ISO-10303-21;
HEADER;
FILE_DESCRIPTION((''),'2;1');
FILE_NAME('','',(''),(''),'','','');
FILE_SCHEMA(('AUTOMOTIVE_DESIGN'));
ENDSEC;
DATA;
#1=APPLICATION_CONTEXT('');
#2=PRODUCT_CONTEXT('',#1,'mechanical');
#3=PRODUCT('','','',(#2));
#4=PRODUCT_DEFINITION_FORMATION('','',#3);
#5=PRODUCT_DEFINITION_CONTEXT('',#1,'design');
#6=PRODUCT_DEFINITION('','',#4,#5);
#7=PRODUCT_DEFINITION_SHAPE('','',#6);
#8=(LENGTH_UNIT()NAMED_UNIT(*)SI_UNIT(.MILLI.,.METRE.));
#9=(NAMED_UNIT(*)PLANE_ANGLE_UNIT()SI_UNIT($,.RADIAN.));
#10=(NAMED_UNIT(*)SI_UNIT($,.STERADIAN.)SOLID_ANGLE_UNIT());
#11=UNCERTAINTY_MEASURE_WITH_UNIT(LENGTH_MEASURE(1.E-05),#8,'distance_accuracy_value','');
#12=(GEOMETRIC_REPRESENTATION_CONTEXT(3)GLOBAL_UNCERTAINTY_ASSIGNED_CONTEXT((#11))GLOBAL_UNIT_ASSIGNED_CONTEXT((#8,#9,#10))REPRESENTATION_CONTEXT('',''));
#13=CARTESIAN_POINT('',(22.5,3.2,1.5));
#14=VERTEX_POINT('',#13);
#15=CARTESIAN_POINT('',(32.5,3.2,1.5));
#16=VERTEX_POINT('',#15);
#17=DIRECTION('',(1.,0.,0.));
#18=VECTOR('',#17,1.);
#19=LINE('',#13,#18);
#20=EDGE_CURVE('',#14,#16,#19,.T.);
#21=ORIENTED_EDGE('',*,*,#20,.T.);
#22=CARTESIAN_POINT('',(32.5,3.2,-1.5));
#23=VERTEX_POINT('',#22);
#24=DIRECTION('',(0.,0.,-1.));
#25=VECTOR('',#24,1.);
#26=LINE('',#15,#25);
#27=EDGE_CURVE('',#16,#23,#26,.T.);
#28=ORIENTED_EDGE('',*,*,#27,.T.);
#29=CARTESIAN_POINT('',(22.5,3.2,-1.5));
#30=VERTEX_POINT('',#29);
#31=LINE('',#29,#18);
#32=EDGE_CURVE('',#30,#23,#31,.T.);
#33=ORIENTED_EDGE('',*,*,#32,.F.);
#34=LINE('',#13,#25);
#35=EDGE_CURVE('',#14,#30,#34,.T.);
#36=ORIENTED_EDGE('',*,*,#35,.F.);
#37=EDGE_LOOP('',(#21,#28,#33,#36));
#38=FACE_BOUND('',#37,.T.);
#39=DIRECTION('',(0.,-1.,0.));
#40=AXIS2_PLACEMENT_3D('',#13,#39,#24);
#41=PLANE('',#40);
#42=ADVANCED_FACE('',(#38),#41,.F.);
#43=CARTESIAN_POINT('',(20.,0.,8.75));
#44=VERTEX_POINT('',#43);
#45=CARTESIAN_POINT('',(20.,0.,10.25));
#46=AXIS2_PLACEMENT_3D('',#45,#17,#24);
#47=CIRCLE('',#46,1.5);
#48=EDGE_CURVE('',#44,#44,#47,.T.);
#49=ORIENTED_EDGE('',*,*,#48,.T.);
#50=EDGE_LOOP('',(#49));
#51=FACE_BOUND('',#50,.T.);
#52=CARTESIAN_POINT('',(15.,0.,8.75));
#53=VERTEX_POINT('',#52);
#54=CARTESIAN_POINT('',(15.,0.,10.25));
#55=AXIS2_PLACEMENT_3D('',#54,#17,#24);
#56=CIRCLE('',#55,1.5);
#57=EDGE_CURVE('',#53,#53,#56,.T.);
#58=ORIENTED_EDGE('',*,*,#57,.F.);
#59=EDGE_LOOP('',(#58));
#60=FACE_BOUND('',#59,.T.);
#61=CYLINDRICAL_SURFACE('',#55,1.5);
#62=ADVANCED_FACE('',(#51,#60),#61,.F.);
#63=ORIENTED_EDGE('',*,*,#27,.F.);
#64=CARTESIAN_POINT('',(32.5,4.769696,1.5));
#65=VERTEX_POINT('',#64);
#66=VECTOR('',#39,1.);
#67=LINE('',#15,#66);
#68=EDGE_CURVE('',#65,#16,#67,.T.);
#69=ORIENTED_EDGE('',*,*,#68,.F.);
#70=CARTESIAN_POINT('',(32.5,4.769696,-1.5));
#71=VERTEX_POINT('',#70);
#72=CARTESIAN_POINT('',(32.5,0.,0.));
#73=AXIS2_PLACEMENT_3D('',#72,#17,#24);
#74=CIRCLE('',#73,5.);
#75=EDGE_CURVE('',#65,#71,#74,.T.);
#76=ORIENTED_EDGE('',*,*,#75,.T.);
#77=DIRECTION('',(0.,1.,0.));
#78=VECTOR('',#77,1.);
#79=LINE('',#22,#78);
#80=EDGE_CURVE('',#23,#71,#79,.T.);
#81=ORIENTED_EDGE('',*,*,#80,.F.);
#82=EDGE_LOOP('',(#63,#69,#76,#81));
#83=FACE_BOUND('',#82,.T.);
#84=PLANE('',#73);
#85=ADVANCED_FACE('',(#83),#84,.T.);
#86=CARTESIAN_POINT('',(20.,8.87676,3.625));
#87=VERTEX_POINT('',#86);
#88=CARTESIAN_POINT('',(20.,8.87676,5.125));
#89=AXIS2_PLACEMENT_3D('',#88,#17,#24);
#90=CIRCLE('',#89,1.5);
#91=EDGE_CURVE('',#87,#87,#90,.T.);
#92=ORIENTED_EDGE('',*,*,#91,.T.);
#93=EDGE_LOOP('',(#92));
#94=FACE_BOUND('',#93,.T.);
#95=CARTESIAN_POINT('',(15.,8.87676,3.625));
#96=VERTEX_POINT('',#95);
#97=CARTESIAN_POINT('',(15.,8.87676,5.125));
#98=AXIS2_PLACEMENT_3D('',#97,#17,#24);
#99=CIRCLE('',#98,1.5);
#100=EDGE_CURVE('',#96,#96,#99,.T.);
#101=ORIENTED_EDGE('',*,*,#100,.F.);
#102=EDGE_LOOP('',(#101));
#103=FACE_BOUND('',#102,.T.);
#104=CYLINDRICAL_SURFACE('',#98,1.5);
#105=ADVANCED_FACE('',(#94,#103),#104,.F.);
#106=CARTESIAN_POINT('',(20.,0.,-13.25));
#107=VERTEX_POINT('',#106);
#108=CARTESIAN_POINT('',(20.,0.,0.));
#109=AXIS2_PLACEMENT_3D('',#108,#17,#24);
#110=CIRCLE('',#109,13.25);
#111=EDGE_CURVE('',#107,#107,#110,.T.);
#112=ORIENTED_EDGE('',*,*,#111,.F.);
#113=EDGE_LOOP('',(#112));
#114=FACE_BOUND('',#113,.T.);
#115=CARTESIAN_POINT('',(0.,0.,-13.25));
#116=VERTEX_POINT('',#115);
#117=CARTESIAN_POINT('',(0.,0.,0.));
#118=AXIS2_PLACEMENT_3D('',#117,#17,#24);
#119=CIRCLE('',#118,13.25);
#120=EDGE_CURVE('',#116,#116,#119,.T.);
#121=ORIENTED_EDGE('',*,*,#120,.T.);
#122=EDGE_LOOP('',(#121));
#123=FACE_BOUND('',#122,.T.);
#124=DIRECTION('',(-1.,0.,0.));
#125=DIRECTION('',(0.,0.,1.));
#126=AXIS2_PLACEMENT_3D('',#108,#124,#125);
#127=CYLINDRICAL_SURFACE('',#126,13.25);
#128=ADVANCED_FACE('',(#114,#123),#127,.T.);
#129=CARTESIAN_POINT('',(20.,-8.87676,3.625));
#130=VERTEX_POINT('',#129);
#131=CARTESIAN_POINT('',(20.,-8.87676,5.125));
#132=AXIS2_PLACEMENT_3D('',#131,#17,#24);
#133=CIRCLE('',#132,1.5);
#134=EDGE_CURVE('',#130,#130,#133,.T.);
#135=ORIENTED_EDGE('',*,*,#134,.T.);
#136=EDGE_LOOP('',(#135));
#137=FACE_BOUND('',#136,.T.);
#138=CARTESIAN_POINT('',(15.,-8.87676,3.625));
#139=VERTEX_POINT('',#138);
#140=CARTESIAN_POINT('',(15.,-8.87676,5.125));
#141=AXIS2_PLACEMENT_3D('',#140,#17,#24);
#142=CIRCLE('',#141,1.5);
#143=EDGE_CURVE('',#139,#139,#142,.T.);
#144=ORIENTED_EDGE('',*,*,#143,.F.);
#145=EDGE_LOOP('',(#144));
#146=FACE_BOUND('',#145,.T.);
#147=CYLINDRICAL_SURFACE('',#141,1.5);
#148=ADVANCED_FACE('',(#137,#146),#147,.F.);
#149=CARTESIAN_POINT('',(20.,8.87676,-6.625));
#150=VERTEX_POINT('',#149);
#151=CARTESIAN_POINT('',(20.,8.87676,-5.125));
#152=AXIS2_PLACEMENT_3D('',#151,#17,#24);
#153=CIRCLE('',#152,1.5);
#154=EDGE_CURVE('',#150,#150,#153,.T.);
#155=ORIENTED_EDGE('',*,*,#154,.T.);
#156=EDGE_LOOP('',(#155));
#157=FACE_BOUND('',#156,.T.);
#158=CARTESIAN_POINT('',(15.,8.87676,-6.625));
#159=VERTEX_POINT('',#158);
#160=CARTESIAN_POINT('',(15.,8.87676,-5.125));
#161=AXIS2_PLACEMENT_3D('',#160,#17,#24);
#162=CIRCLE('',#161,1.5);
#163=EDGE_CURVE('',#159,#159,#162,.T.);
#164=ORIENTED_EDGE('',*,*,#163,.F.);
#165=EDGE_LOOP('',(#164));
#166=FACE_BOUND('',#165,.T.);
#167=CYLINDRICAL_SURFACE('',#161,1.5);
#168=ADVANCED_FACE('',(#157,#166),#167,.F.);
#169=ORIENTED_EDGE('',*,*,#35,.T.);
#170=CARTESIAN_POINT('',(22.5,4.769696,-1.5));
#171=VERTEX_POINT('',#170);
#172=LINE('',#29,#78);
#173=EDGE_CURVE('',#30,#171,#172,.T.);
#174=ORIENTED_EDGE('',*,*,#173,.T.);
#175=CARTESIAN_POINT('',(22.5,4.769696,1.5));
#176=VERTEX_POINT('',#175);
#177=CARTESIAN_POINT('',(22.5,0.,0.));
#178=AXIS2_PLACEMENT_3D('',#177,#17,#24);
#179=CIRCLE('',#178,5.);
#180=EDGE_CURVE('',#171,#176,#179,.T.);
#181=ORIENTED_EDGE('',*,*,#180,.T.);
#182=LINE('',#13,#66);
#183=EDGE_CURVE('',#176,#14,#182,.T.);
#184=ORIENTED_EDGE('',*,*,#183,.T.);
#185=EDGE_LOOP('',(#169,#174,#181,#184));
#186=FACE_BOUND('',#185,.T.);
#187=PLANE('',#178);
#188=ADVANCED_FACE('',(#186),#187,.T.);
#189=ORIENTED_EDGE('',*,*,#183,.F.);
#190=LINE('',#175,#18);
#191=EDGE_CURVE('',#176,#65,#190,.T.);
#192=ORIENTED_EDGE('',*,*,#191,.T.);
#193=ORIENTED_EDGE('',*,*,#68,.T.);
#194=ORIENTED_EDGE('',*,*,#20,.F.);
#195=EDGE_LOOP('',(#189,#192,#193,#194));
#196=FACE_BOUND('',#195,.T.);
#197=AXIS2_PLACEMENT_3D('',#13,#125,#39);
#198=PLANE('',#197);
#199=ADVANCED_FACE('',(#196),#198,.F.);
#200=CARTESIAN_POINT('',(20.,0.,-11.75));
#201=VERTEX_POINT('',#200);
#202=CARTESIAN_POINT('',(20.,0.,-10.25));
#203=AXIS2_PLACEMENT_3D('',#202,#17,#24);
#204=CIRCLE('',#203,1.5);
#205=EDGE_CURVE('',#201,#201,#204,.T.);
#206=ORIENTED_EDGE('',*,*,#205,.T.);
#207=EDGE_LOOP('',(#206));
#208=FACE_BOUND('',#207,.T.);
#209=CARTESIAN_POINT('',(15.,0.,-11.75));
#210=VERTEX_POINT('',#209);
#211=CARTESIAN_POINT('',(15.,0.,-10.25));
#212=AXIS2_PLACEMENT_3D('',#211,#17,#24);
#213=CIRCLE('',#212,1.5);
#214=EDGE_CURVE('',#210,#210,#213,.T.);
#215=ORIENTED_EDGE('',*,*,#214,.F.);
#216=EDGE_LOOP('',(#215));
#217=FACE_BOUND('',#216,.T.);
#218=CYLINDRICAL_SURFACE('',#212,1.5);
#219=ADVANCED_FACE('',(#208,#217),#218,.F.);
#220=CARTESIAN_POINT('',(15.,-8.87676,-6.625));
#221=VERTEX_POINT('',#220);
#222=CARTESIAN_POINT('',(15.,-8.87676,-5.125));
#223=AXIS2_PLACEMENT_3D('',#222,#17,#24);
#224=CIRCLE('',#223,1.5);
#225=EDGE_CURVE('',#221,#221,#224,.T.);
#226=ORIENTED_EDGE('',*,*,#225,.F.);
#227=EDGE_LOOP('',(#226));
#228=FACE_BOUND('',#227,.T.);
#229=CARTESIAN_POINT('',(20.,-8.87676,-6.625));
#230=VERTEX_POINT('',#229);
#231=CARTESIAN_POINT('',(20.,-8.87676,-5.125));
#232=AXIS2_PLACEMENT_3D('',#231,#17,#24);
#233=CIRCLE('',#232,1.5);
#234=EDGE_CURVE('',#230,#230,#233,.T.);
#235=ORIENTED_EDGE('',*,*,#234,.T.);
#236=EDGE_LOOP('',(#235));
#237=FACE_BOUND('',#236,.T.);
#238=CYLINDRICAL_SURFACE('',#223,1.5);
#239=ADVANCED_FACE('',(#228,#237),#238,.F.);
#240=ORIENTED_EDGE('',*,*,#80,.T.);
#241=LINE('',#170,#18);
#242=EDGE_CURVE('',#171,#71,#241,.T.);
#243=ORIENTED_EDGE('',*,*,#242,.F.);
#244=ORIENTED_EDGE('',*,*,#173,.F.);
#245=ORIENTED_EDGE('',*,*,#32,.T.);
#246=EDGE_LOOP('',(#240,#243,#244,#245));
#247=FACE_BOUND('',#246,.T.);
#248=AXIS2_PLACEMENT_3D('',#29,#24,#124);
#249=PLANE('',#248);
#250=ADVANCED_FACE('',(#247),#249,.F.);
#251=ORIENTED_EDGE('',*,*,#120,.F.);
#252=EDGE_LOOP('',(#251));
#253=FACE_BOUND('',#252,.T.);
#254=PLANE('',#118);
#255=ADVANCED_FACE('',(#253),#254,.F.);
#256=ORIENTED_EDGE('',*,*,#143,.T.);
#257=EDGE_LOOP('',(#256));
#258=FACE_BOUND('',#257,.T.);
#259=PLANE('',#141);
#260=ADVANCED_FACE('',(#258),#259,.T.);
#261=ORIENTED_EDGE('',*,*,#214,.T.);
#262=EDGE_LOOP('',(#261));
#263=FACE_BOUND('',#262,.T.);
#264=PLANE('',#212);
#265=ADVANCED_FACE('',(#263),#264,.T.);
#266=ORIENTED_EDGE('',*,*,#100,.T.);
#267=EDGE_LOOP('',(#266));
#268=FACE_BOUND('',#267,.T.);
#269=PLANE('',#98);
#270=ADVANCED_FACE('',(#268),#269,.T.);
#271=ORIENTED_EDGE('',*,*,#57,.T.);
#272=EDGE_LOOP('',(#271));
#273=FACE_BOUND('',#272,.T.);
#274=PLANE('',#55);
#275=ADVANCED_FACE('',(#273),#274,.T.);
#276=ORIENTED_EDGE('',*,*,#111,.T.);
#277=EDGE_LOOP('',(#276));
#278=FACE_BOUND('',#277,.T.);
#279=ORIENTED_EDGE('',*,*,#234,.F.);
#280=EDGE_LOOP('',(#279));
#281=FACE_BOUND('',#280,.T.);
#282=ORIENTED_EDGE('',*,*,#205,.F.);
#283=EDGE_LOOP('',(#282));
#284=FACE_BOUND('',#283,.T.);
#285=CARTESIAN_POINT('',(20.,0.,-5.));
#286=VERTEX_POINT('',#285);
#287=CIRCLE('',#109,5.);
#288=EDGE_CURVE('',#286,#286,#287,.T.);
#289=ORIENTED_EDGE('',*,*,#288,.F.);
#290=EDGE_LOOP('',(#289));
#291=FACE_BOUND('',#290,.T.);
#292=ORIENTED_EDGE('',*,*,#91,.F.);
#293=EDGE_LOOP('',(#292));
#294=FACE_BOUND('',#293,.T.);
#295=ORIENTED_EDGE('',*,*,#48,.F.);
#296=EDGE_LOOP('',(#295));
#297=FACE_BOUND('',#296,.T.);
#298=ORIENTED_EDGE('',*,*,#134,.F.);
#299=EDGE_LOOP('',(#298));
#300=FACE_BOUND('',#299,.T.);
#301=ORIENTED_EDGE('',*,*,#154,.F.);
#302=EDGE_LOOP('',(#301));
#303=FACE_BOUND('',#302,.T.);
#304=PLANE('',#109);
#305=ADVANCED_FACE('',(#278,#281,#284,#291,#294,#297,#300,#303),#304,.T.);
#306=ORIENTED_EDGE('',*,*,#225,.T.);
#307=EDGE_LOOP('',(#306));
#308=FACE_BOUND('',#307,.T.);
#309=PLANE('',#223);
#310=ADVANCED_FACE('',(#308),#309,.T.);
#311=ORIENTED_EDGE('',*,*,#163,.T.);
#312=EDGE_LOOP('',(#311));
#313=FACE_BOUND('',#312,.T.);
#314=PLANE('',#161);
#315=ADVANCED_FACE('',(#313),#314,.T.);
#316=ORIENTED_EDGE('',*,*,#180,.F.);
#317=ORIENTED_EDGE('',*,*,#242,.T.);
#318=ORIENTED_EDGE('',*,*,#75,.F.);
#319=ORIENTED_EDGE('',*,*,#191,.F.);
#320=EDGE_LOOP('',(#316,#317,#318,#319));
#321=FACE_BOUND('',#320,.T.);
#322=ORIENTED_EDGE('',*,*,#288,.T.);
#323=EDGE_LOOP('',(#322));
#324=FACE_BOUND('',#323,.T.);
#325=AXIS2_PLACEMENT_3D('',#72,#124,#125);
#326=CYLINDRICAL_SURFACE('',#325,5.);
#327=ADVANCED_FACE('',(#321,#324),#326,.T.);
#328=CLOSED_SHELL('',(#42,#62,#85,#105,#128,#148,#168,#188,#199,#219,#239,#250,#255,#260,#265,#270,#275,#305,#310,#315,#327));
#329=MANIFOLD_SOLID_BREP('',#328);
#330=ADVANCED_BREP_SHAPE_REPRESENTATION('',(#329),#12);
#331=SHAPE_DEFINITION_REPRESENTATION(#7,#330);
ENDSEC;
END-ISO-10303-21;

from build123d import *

# Parameters (mm, degrees)
SKETCH_1_R          = 13.25
EXTRUDE_1_DEPTH     = 20
SKETCH_2_R          = 1.5
CUT_EXTRUDE_1_DEPTH = 5
SKETCH_3_R          = 5
EXTRUDE_2_DEPTH     = 12.5
CUT_EXTRUDE_START   = -10
CUT_EXTRUDE_2_DEPTH = 10


with BuildPart() as part:
    # 草图1 → 凸台-拉伸1 (new body)
    with BuildSketch(Plane(origin=(0, 0, 0), x_dir=(0, 0, -1), z_dir=(1, 0, 0))):
        Circle(SKETCH_1_R)
    extrude(amount=EXTRUDE_1_DEPTH)

    # 草图2 → 切除-拉伸1 (cut)
    with BuildSketch(Plane(origin=(20, 0, 0), x_dir=(0, 0, -1), z_dir=(1, 0, 0))):
        with Locations((10.25, 0)):
            Circle(SKETCH_2_R)
        with Locations((5.125, -8.876760389)):
            Circle(SKETCH_2_R)
        with Locations((-5.125, -8.876760389)):
            Circle(SKETCH_2_R)
        with Locations((-10.25, 0)):
            Circle(SKETCH_2_R)
        with Locations((-5.125, 8.876760389)):
            Circle(SKETCH_2_R)
        with Locations((5.125, 8.876760389)):
            Circle(SKETCH_2_R)
    extrude(amount=-CUT_EXTRUDE_1_DEPTH, mode=Mode.SUBTRACT)

    # 草图3 → 凸台-拉伸2 (add)
    with BuildSketch(Plane(origin=(20, 0, 0), x_dir=(0, 0, -1), z_dir=(1, 0, 0))):
        Circle(SKETCH_3_R)
    extrude(amount=EXTRUDE_2_DEPTH)

    # 草图4 → 切除-拉伸2 (cut)
    with BuildSketch(Plane(origin=(32.5, 0, 0), x_dir=(0, 0, -1), z_dir=(1, 0, 0)).offset(CUT_EXTRUDE_START)):
        with BuildLine():
            Line((-1.5, 3.2), (1.5, 3.2))
            Line((1.5, 3.2), (1.5, 4.769696007))
            ThreePointArc((1.5, 4.769696007), (0, 5), (-1.5, 4.769696007))
            Line((-1.5, 4.769696007), (-1.5, 3.2))
        make_face()
    extrude(amount=CUT_EXTRUDE_2_DEPTH, mode=Mode.SUBTRACT)


solid = part.part
